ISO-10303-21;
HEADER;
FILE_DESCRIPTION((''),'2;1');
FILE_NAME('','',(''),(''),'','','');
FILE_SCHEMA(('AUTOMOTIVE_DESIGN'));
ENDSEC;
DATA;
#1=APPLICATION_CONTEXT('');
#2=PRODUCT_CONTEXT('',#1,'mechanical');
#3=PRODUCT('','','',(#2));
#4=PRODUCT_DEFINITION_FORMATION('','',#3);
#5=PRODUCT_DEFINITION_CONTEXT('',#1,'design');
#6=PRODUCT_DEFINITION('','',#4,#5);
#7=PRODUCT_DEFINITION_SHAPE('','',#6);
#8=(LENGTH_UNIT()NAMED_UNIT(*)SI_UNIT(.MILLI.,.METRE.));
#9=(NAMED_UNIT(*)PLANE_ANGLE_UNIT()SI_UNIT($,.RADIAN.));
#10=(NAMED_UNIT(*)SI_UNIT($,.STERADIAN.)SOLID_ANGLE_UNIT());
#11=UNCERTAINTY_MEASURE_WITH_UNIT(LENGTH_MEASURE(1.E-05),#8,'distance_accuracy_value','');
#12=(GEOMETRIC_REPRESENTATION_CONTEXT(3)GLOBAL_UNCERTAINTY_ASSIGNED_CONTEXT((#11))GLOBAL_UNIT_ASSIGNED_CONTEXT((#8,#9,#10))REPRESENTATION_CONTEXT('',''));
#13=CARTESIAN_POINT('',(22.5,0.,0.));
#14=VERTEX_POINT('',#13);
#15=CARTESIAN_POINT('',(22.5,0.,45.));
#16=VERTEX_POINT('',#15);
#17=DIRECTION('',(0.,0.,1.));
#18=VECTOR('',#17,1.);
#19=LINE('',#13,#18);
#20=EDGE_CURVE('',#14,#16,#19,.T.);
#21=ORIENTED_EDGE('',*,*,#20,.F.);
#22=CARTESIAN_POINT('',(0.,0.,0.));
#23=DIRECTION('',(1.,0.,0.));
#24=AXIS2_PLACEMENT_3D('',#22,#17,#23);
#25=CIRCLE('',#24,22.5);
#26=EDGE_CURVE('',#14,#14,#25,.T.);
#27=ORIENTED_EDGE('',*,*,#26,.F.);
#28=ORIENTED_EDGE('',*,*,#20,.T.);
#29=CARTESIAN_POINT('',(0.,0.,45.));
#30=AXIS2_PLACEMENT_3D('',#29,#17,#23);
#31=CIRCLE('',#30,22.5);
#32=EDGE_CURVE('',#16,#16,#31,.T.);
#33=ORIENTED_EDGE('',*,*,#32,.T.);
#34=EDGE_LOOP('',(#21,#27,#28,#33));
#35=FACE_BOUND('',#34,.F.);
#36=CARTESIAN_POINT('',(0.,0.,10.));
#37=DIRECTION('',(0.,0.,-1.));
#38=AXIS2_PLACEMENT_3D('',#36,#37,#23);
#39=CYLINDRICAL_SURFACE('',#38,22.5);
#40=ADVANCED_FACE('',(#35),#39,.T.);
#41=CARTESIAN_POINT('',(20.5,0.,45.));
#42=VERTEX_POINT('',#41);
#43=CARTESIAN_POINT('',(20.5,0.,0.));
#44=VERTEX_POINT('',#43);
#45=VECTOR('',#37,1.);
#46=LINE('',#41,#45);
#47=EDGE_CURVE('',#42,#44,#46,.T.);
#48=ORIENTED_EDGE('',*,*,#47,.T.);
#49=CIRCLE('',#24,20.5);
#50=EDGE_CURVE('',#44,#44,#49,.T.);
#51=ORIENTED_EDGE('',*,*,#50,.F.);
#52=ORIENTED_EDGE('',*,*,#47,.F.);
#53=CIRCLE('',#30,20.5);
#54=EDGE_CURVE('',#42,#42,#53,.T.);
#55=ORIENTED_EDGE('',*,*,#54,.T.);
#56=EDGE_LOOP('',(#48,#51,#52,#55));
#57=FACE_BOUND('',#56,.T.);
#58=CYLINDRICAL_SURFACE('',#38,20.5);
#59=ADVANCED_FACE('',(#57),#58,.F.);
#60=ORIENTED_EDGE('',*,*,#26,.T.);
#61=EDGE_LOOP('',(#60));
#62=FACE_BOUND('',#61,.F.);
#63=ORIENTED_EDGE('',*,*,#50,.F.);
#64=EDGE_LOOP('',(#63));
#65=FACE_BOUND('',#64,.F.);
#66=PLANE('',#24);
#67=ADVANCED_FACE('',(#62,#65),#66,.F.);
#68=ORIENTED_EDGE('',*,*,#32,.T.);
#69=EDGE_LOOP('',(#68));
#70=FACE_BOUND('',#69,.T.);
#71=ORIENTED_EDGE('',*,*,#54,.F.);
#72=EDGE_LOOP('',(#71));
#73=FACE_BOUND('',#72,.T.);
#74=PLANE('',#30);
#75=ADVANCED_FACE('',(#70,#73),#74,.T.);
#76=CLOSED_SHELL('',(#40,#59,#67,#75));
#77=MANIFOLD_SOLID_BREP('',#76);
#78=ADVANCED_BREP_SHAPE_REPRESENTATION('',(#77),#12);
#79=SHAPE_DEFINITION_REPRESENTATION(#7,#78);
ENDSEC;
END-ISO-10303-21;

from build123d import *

# Parameters (mm, degrees)
F0_R     = 22.5
F0_R_2   = 20.5
F1_DEPTH = 10
F3_R     = 22.5
F3_R_2   = 20.5
F4_DEPTH = 35


with BuildPart() as f1:
    # F0 (on Top) → F1 (new body)
    with BuildSketch(Plane.XY):
        Circle(F0_R)
        Circle(F0_R_2, mode=Mode.SUBTRACT)
    extrude(amount=F1_DEPTH)

    # F3 (on offset) → F4 (join)
    with BuildSketch(Plane.XY.offset(10)):
        Circle(F3_R)
        Circle(F3_R_2, mode=Mode.SUBTRACT)
    extrude(amount=F4_DEPTH)


solid = f1.part
